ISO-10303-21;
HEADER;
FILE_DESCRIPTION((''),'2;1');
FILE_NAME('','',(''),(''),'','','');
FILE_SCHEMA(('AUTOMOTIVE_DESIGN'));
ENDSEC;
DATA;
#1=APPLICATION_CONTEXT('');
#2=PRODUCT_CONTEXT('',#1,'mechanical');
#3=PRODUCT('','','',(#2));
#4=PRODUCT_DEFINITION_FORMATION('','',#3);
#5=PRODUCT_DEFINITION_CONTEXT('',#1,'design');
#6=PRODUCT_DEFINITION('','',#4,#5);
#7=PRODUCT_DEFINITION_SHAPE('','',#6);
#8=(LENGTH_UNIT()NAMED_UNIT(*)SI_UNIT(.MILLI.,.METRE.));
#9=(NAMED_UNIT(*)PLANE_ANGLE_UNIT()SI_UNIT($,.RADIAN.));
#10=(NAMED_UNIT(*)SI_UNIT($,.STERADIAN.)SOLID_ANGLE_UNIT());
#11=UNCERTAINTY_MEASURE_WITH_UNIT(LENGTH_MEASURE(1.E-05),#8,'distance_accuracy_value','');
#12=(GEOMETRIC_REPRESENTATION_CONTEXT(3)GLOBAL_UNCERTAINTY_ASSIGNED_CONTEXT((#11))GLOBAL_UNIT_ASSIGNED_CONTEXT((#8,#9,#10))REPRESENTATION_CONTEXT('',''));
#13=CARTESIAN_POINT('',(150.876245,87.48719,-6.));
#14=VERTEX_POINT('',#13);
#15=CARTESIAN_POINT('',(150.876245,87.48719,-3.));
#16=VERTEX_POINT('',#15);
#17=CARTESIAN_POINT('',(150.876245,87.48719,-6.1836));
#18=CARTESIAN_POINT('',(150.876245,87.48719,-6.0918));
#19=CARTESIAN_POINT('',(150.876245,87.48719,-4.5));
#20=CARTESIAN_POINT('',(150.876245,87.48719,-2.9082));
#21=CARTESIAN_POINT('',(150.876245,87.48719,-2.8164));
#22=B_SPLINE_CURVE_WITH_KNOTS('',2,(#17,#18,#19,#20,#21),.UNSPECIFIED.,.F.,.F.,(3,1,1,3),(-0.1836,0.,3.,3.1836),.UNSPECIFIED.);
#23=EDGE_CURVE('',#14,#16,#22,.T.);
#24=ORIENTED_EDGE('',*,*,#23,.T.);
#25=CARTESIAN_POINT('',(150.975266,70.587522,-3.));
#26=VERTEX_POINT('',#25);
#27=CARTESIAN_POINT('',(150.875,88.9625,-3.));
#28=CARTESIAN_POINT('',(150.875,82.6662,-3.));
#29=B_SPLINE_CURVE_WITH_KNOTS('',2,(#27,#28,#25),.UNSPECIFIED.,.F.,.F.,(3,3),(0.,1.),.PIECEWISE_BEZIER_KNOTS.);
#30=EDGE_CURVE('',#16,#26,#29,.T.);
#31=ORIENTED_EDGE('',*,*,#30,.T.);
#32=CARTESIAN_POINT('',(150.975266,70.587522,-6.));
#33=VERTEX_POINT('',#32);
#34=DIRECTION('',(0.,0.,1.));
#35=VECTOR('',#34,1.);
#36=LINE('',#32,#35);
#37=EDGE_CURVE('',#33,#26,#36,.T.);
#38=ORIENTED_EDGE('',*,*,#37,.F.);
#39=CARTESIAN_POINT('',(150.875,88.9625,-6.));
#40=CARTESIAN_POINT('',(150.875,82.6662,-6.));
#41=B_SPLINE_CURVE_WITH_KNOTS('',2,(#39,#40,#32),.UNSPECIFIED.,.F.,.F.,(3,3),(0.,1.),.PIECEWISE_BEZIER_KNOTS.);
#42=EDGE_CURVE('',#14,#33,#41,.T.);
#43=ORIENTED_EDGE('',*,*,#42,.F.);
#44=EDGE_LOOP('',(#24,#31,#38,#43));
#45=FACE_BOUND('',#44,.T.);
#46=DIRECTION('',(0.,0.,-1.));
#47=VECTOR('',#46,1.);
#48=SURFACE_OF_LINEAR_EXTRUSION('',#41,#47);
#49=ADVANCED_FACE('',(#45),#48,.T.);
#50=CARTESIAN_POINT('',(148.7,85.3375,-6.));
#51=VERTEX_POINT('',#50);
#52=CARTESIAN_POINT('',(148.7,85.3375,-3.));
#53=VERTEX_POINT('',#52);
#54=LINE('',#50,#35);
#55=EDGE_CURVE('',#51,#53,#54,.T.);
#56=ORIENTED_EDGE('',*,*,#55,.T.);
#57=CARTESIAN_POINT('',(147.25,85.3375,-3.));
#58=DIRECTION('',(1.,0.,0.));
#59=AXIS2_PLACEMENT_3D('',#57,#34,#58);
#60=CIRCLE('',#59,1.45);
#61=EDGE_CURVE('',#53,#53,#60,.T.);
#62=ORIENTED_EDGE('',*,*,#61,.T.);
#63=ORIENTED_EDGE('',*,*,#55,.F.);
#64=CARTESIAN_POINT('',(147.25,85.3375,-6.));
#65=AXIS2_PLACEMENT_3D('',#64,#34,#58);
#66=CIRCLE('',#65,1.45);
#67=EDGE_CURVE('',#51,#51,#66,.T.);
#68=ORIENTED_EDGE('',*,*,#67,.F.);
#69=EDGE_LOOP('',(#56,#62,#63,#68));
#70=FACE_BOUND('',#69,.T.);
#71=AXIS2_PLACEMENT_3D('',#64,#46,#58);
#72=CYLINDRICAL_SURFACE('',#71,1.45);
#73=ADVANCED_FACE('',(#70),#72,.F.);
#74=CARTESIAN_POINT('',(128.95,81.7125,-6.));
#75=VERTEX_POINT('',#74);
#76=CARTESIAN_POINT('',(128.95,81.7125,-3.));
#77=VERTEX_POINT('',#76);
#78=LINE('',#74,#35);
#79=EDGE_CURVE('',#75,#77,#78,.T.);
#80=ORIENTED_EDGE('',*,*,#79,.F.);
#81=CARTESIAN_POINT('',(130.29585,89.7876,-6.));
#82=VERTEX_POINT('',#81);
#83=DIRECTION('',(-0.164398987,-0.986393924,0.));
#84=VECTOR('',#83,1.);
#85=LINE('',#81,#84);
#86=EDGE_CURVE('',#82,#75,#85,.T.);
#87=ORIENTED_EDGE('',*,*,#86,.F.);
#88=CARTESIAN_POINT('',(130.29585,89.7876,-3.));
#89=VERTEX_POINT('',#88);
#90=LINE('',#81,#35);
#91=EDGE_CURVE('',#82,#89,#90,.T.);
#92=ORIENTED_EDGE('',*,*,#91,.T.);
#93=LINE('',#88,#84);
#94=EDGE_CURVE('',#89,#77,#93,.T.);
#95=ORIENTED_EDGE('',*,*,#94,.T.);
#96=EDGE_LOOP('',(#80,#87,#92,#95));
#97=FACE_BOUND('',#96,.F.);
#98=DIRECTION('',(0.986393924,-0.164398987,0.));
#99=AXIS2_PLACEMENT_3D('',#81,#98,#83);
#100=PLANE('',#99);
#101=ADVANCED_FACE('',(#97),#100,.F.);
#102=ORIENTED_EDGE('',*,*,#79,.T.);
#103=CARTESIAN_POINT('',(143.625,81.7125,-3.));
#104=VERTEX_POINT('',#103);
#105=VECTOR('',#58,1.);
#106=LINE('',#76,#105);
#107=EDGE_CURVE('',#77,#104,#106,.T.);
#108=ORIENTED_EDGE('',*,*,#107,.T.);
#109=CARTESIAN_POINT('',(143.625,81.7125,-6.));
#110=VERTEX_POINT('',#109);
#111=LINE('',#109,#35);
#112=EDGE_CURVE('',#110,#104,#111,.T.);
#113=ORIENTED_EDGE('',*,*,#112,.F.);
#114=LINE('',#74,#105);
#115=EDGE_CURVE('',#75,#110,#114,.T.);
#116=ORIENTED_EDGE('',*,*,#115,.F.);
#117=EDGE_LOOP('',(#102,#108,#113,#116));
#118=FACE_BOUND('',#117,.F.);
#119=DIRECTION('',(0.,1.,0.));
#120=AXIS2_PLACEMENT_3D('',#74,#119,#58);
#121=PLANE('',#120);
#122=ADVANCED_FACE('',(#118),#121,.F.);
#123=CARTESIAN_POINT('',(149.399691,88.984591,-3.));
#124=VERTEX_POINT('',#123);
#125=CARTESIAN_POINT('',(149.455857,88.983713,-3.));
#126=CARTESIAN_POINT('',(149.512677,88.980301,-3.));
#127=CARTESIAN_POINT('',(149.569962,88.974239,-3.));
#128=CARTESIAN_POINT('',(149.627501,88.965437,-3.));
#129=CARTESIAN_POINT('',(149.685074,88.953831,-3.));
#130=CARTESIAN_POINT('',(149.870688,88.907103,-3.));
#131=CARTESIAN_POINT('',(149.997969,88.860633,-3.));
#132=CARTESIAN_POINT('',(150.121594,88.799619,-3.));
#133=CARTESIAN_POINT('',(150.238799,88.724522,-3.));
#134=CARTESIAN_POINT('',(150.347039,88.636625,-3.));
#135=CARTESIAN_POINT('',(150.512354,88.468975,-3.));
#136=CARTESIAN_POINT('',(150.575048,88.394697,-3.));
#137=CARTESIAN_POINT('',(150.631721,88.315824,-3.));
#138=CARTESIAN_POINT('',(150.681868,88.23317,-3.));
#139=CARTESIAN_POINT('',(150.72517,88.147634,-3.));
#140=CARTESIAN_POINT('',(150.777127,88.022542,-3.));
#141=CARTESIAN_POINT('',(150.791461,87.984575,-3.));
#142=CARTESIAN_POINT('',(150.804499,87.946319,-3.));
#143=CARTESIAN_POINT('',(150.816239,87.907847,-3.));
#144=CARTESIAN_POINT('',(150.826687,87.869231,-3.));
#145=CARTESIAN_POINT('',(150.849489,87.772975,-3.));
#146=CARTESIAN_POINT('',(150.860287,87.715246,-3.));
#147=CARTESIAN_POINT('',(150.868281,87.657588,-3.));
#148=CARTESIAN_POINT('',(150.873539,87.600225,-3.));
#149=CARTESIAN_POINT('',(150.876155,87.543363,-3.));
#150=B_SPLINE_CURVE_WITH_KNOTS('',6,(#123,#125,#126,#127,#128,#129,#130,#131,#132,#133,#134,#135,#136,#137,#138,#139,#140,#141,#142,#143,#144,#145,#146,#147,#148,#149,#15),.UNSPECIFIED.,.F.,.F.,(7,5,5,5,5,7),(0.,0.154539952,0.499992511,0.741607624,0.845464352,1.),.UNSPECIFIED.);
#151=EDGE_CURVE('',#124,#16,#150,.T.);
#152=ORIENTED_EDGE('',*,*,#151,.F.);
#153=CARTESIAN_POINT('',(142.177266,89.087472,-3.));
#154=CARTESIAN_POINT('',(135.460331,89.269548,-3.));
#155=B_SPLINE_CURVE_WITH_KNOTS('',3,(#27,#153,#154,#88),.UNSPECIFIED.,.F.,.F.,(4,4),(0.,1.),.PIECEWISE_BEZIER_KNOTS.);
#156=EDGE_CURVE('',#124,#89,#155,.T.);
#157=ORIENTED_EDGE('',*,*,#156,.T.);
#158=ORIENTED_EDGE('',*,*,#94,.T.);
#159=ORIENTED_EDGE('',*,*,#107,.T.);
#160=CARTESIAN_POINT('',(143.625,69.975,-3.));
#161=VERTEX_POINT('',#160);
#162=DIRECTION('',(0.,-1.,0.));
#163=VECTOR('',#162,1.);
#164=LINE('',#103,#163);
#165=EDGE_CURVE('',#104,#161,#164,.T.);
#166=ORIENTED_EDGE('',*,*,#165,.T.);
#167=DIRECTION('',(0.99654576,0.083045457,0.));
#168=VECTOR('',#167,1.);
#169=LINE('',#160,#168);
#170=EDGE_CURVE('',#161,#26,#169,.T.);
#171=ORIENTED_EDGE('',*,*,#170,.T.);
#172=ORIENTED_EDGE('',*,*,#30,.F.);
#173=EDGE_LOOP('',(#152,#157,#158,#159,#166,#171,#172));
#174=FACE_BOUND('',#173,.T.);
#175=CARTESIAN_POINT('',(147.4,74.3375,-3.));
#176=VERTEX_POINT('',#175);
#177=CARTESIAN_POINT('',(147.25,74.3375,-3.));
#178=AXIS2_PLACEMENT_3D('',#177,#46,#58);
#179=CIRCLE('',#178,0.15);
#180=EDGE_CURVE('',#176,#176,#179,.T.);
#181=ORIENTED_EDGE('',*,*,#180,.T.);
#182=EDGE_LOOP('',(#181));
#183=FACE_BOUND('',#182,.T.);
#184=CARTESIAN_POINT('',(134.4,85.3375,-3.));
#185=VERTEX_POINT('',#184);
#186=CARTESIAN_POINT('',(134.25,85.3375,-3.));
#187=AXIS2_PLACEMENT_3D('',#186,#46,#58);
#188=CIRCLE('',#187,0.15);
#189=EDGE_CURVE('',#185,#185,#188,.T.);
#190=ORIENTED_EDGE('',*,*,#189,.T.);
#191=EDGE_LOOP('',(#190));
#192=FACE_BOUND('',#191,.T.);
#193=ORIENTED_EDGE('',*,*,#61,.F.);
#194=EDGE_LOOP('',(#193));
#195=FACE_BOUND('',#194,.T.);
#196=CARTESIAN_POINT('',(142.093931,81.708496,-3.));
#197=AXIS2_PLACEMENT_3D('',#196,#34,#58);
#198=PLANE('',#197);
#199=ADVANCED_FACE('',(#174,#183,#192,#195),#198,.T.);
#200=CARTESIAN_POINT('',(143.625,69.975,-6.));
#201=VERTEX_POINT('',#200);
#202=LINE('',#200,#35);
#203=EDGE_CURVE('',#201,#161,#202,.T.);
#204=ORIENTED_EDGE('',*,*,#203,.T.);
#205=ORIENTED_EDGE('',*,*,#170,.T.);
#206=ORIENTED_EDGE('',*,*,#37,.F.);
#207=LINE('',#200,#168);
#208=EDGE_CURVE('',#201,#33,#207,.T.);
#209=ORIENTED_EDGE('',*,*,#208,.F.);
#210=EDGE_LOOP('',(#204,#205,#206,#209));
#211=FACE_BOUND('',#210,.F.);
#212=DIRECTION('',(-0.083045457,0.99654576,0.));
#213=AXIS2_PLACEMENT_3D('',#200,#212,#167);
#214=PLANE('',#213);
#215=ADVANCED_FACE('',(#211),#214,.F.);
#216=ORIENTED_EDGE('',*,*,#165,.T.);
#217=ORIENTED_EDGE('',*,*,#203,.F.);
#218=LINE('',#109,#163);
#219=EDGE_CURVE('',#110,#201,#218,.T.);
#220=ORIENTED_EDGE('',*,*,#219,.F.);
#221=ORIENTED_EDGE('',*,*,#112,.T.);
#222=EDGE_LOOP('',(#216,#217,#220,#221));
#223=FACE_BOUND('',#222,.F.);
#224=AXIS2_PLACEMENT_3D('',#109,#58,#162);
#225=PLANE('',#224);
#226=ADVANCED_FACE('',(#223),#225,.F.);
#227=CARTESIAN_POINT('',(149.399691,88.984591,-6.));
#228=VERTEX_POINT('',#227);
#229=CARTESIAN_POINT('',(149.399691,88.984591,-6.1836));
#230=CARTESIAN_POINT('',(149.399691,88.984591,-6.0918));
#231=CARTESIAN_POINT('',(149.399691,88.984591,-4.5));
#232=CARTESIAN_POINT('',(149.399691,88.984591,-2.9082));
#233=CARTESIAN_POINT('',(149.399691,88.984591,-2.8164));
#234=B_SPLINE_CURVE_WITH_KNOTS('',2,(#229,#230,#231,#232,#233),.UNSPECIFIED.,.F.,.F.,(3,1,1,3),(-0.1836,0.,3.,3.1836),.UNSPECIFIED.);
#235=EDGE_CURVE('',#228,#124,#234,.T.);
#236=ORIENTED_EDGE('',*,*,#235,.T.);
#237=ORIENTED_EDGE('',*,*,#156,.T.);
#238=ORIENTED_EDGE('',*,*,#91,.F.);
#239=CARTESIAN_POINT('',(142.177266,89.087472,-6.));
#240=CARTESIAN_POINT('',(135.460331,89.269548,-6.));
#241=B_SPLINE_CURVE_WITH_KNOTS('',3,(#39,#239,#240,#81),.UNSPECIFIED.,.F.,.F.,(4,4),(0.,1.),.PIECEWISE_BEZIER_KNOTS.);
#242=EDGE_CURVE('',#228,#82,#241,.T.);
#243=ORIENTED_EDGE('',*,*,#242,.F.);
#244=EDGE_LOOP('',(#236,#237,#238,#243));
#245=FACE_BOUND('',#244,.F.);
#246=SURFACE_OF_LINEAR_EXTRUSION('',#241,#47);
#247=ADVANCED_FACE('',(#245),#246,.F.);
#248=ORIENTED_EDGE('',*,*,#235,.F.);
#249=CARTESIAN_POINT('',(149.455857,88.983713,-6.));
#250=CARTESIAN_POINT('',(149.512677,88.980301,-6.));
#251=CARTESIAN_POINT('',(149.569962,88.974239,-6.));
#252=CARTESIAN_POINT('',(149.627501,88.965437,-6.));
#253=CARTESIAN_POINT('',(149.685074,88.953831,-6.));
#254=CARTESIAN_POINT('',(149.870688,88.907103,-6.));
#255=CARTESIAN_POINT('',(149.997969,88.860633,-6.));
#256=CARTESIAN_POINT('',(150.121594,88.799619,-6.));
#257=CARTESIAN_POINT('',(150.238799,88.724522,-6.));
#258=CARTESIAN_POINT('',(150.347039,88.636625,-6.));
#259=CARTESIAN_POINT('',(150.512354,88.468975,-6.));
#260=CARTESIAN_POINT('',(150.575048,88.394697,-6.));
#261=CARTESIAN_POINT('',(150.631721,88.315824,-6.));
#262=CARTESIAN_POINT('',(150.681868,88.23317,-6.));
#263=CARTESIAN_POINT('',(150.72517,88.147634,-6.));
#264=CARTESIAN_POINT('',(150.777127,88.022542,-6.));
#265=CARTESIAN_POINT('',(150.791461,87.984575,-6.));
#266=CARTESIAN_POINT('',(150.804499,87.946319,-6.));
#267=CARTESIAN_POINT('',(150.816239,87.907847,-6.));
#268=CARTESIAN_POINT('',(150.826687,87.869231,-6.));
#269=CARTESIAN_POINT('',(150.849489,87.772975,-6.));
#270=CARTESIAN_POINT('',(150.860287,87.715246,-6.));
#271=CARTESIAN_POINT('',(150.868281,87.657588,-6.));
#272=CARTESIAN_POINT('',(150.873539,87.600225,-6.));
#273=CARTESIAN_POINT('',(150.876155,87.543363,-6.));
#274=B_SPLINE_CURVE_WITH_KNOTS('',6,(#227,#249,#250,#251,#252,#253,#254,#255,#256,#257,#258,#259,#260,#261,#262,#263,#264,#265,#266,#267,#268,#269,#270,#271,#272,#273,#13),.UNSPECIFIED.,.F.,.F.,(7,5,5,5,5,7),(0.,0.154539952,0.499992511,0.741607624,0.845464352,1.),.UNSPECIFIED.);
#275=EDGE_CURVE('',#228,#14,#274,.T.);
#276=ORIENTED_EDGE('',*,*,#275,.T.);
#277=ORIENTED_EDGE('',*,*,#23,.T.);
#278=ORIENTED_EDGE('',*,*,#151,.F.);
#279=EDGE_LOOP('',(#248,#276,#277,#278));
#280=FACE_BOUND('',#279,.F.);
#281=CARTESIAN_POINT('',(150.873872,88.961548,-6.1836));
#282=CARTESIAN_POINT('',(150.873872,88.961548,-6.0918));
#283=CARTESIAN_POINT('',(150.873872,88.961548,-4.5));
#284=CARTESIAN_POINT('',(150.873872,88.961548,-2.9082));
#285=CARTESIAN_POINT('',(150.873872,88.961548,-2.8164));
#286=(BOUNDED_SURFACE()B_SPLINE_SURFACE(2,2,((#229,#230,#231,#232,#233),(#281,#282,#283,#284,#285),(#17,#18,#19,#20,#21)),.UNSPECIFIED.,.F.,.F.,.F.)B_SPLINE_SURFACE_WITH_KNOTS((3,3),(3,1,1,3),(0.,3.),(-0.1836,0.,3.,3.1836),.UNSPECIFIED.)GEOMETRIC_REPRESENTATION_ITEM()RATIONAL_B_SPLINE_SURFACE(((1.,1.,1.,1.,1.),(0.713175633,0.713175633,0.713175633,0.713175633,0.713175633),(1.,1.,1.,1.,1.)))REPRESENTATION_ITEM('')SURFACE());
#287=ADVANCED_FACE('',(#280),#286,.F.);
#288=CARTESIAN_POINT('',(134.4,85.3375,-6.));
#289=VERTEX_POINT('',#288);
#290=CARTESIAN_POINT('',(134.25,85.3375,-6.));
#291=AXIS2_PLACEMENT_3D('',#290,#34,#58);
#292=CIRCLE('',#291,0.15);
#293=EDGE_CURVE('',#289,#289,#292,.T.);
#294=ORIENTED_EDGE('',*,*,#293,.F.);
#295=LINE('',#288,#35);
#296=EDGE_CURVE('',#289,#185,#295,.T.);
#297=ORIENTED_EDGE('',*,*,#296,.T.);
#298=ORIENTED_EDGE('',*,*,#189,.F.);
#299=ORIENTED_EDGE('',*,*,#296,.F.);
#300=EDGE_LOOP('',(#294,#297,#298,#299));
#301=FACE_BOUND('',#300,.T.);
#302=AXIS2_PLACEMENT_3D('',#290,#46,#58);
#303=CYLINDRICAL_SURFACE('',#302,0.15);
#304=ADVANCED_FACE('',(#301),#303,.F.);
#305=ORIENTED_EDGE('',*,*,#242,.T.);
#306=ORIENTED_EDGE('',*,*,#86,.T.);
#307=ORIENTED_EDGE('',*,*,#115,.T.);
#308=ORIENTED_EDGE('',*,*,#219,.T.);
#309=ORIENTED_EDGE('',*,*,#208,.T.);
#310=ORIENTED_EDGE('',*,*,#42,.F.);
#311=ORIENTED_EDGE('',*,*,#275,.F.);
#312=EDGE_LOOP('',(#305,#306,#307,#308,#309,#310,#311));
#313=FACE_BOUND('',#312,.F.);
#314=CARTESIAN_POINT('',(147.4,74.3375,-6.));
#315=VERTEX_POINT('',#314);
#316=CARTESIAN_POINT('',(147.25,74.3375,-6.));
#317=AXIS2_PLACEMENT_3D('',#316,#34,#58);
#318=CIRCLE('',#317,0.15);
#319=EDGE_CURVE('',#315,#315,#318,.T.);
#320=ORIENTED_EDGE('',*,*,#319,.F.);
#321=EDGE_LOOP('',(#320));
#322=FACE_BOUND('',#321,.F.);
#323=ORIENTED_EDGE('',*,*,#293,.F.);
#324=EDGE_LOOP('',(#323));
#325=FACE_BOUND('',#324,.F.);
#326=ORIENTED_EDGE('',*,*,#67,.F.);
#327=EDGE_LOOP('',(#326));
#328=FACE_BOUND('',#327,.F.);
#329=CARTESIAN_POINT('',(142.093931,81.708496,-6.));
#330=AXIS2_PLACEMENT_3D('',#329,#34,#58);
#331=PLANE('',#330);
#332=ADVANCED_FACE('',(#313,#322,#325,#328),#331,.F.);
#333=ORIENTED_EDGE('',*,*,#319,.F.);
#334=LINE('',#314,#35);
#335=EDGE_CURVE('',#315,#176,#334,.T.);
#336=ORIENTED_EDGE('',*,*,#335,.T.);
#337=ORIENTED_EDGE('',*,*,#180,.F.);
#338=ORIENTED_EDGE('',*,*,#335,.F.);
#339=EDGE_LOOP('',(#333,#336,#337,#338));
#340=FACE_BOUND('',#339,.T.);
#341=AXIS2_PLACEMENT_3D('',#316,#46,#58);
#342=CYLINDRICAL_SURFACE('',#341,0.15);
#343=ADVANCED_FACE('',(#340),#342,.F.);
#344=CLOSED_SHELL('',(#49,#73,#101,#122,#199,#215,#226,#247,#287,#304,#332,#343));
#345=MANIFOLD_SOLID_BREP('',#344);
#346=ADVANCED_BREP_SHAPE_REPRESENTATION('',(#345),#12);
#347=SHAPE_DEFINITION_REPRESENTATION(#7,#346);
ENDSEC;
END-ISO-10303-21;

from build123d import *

# Parameters (mm, degrees)
SKETCH055_R     = 1.45
PAD014_DEPTH    = 3
SKETCH060_R     = 0.15
POCKET028_DEPTH = 22
FILLET012_R     = 1.5


with BuildPart() as part:
    # Sketch055 → Pad014 (new body)
    with BuildSketch(Plane.XY):
        with BuildLine():
            add(Edge.make_bspline(
                [(150.875, 88.9625), (142.177266, 89.087472), (135.460331, 89.269548), (130.29585, 89.7876)],
                knots=[0, 0, 0, 0, 1, 1, 1, 1], degree=3))
            Line((130.29585, 89.7876), (128.95, 81.7125))
            Line((128.95, 81.7125), (143.625, 81.7125))
            Line((143.625, 81.7125), (143.625, 69.975))
            Line((143.625, 69.975), (150.975266, 70.587522))
            add(Edge.make_bspline(
                [(150.875, 88.9625), (150.875, 82.6662), (150.975266, 70.587522)],
                knots=[0, 0, 0, 1, 1, 1], degree=2))
        make_face()
        with Locations((147.25, 85.3375)):
            Circle(SKETCH055_R, mode=Mode.SUBTRACT)
    extrude(amount=PAD014_DEPTH)

    # Sketch060 → Pocket028 (cut)
    with BuildSketch(Plane.XY):
        with Locations((134.25, 85.3375)):
            Circle(SKETCH060_R)
        with Locations((147.25, 74.3375)):
            Circle(SKETCH060_R)
    extrude(amount=POCKET028_DEPTH, mode=Mode.SUBTRACT)

    # Fillet012
    fillet012_edges = [part.edges().sort_by_distance(p)[0] for p in [
        (150.875, 88.9625, 1.5),
    ]]
    fillet(fillet012_edges, radius=FILLET012_R)


with BuildPart() as part_1:
    # Body013 placement: moved
    add(part.part.moved(Location((0, 0, -6))))


solid = part_1.part
